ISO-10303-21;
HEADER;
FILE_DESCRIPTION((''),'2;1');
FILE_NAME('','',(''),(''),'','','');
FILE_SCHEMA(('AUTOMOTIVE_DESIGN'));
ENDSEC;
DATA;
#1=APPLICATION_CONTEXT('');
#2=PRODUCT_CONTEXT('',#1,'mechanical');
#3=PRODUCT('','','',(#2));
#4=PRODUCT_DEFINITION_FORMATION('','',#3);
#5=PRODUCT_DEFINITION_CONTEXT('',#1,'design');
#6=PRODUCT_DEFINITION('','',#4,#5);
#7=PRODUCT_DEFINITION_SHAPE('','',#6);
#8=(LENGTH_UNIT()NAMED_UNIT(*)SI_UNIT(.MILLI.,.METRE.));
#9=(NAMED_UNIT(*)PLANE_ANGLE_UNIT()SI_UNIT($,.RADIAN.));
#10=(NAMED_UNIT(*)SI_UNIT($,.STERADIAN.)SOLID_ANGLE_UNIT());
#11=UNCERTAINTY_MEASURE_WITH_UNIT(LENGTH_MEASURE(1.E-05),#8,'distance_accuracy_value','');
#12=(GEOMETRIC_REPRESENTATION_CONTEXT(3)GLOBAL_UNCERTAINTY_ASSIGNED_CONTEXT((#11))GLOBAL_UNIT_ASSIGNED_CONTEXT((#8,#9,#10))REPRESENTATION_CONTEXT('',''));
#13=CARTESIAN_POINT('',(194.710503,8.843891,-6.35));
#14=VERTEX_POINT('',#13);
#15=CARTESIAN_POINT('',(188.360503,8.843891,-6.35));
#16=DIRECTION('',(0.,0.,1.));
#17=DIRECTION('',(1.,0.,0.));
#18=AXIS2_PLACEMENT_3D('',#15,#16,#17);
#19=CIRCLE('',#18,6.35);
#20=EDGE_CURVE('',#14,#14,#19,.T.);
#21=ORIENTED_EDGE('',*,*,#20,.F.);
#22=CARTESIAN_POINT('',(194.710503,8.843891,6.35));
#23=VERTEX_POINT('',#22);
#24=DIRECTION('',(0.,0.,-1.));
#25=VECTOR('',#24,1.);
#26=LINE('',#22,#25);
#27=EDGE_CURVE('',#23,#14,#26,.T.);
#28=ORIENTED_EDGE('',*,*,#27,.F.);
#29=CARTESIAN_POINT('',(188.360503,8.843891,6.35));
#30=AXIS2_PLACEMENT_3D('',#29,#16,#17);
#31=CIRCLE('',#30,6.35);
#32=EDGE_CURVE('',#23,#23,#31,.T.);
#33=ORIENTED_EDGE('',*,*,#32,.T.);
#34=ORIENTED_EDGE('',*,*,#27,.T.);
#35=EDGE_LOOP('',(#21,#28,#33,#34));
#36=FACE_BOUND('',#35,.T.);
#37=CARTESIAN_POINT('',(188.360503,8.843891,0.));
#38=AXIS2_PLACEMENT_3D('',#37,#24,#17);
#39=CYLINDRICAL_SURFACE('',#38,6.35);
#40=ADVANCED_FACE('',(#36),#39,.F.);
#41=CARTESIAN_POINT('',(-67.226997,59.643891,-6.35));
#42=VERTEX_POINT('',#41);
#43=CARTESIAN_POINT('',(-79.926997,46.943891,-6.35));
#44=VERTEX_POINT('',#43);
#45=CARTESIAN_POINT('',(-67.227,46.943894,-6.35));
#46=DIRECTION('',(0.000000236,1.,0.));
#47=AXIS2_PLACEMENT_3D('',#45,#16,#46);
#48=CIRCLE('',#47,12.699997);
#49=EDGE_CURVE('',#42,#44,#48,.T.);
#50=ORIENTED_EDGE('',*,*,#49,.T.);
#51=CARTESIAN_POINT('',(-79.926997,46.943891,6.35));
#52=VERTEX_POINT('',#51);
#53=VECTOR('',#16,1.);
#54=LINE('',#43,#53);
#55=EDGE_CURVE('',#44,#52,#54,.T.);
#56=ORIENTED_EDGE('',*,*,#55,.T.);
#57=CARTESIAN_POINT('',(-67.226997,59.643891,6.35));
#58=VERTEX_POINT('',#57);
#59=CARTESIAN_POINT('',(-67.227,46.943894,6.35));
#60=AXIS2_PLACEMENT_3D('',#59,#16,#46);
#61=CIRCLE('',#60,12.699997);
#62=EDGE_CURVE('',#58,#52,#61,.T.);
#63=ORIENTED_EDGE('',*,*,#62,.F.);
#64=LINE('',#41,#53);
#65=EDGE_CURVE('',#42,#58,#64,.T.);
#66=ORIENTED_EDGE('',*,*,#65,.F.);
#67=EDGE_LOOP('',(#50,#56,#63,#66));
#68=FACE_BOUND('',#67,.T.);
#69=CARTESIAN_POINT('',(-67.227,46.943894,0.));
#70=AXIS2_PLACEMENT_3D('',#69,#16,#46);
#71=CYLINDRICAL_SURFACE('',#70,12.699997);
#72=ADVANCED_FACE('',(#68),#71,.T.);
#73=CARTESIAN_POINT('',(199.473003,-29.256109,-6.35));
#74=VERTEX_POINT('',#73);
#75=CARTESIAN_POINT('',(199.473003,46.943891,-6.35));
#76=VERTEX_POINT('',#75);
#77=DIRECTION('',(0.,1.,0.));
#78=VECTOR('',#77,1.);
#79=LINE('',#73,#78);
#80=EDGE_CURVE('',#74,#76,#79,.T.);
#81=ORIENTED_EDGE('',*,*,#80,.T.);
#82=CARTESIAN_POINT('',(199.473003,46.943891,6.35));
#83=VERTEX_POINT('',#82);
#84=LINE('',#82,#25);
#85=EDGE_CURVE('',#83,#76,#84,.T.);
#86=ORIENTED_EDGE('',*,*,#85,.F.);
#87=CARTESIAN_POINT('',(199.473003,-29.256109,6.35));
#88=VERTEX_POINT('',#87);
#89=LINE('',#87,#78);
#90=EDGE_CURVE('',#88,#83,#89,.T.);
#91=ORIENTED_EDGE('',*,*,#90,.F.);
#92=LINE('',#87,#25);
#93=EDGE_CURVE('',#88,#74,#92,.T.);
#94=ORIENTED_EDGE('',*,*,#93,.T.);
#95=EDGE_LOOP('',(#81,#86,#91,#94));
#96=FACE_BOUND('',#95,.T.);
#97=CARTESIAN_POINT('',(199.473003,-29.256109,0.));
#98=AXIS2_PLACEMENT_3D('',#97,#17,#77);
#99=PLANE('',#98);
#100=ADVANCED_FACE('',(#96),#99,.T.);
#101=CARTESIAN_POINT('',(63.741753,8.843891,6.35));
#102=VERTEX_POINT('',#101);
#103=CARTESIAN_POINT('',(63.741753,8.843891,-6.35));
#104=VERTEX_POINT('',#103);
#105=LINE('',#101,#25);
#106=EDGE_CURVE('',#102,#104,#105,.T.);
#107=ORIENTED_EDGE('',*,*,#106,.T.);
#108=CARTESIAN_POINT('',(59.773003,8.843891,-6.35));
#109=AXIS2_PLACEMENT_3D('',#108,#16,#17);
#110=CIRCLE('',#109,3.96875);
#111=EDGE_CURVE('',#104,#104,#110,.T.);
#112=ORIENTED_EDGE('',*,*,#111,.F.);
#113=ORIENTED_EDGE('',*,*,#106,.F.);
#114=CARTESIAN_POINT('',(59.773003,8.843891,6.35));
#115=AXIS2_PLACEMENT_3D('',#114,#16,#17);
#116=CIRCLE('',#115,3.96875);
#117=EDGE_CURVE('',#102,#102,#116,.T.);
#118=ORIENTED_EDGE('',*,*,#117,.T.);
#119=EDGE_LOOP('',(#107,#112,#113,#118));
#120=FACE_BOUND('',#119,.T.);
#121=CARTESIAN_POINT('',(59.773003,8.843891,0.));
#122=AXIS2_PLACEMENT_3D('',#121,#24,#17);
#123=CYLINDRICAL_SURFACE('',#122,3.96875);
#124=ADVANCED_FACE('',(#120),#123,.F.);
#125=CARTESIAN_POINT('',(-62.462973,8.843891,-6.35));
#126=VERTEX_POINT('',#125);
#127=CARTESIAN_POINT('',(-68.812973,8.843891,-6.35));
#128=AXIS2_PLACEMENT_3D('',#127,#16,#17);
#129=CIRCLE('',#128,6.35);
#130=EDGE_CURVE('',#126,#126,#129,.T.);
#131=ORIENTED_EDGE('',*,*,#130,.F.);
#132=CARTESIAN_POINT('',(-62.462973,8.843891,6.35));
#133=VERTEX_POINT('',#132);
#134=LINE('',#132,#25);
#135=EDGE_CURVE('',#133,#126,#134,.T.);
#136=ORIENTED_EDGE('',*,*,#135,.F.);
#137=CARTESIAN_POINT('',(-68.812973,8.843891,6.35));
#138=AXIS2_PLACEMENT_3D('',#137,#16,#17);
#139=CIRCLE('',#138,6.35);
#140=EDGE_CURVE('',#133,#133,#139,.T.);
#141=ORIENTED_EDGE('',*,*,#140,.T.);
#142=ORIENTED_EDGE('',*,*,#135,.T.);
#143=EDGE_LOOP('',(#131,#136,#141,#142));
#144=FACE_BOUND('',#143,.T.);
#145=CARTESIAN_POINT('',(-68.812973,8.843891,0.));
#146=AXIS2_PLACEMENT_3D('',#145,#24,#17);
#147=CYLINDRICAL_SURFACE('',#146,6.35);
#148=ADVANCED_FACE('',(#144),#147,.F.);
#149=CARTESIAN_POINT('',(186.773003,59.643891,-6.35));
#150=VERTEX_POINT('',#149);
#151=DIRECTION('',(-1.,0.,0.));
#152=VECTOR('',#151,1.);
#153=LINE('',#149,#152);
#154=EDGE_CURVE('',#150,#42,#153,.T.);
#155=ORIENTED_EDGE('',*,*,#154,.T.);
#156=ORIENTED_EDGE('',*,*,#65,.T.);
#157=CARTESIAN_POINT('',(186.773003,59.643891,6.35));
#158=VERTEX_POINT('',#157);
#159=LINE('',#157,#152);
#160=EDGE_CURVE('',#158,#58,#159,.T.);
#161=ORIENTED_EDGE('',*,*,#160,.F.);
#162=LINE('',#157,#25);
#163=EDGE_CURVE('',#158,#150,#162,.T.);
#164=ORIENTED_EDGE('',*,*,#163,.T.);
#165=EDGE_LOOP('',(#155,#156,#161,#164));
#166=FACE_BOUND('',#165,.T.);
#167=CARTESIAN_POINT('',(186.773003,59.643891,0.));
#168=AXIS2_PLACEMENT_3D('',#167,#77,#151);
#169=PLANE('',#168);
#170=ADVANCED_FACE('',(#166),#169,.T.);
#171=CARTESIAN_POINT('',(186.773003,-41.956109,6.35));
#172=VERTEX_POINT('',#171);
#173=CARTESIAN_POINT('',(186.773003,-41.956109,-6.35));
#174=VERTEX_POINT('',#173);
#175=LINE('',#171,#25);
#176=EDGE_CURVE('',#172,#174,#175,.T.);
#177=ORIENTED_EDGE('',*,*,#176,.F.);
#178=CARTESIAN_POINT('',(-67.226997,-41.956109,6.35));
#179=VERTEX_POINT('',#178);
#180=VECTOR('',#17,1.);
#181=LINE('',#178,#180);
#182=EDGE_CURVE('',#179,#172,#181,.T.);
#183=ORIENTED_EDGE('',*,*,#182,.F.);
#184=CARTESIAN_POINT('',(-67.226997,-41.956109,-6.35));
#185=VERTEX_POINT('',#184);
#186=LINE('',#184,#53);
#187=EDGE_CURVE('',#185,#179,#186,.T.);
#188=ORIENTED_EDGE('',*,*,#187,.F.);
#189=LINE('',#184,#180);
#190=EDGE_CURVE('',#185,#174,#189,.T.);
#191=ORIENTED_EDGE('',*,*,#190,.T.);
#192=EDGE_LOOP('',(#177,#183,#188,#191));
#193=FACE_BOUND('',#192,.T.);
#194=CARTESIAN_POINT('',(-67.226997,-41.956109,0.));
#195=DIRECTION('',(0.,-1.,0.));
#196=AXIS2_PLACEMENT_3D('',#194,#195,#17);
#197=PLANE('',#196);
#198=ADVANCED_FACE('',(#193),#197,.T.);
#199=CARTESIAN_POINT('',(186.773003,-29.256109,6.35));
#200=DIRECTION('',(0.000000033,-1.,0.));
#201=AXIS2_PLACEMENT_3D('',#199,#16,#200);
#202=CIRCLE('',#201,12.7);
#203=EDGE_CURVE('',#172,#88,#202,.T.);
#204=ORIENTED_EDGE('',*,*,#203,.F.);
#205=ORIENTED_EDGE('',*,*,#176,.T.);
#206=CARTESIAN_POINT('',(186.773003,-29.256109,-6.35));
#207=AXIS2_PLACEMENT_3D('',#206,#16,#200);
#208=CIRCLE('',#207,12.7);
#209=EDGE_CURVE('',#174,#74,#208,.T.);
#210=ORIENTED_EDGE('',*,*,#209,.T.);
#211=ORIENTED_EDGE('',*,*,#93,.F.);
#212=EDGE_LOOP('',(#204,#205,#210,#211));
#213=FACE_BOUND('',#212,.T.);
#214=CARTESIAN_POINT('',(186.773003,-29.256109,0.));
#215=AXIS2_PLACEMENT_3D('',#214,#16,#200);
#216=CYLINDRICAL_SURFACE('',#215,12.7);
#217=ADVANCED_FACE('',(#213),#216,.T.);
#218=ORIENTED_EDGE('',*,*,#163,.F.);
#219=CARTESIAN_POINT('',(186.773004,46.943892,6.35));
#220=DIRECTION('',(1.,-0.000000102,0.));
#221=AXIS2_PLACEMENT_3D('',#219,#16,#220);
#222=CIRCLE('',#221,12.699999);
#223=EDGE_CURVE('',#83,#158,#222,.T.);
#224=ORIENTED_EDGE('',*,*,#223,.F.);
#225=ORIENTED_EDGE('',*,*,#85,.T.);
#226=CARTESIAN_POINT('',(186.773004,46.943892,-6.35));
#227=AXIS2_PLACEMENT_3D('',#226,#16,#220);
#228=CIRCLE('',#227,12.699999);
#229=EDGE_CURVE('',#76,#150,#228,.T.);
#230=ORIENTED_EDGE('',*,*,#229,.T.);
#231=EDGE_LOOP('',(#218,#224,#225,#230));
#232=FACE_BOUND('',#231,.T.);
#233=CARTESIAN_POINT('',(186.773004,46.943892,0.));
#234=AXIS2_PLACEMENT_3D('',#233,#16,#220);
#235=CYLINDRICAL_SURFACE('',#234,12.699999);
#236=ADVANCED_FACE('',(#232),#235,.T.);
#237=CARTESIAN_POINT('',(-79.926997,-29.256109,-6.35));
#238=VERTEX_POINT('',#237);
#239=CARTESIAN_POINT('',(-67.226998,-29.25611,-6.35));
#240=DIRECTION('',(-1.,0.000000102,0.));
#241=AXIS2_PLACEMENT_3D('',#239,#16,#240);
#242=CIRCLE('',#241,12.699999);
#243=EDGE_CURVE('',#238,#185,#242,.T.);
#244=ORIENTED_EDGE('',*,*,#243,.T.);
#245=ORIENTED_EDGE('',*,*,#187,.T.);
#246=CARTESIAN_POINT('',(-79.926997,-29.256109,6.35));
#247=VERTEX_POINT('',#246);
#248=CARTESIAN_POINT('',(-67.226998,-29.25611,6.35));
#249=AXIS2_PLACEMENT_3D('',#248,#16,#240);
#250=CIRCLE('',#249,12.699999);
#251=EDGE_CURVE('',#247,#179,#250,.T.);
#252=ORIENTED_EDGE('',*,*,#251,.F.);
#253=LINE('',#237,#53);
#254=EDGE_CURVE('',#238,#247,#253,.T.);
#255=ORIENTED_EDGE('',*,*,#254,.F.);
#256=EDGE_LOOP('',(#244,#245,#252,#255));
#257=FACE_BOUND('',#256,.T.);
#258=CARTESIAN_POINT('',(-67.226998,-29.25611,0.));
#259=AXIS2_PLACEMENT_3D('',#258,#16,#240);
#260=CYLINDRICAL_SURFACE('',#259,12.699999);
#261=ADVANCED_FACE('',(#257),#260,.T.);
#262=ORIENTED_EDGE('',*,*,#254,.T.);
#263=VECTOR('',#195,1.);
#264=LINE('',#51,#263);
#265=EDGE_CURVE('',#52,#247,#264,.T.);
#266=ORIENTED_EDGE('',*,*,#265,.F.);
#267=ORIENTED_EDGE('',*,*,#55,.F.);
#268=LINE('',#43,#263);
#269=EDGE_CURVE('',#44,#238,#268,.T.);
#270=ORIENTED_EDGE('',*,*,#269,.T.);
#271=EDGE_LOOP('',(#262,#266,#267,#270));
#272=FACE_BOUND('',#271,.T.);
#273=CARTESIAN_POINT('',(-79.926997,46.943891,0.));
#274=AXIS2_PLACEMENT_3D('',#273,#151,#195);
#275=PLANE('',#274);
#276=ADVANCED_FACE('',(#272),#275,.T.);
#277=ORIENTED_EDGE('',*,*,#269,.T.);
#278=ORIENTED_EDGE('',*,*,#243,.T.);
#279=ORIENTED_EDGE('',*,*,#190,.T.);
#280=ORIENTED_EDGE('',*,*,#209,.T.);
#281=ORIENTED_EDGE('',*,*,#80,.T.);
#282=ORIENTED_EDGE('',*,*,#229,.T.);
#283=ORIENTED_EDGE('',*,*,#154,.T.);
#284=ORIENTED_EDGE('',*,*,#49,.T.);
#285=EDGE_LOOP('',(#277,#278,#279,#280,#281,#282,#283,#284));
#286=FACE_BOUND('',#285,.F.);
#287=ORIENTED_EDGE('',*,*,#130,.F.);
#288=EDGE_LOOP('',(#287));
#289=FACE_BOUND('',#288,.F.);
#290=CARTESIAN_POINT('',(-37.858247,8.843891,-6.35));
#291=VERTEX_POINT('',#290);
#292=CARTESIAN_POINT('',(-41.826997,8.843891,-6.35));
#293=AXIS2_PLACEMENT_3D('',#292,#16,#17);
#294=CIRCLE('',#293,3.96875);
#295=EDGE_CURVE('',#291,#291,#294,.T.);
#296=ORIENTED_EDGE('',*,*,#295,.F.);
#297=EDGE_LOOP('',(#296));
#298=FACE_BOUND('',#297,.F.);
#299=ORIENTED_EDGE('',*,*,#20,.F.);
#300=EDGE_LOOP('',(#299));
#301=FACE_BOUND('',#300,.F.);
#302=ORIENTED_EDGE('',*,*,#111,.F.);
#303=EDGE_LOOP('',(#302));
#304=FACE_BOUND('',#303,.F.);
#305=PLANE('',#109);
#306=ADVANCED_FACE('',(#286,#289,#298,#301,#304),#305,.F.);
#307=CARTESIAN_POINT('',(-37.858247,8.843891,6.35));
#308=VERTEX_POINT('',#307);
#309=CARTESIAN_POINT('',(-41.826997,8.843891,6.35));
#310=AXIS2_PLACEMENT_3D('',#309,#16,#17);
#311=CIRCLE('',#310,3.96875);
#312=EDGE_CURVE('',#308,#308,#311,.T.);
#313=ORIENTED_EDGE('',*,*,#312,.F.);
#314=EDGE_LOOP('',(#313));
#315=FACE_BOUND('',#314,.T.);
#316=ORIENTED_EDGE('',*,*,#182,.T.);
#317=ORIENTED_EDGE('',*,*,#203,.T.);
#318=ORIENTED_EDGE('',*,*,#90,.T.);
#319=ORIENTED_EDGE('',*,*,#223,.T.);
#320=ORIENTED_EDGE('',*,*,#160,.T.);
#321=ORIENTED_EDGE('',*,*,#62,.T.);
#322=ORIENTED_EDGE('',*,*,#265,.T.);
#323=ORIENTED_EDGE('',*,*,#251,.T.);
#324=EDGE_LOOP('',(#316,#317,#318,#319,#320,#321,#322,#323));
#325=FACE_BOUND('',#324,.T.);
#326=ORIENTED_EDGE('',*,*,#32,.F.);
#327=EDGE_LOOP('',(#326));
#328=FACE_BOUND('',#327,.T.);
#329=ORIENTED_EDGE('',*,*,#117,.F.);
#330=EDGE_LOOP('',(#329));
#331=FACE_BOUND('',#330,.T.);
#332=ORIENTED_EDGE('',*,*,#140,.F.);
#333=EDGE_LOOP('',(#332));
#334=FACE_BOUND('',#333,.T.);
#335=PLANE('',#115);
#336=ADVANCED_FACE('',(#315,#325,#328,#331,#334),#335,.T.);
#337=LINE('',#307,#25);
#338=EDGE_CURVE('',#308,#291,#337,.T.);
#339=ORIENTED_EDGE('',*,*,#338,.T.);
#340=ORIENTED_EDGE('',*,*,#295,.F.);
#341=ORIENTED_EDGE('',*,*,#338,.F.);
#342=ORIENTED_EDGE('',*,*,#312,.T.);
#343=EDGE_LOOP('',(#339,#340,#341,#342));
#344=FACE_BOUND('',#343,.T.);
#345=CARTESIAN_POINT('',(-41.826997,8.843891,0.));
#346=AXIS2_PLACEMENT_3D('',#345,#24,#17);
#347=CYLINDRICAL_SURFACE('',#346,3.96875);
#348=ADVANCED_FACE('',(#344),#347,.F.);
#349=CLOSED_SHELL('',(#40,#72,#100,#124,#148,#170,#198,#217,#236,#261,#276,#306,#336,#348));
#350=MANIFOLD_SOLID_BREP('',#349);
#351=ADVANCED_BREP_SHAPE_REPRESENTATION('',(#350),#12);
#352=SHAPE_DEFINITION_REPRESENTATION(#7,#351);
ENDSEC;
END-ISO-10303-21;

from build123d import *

# Parameters (mm, degrees)
F0_R     = 6.35
F0_R_2   = 3.96875
F1_DEPTH = 6.35


with BuildPart() as f1:
    # F0 (on Top) → F1 (new body, symmetric)
    with BuildSketch(Plane.XY):
        with BuildLine():
            Line((186.773003, 59.643891), (-67.226997, 59.643891))
            ThreePointArc((-67.226997, 59.643891), (-76.207254, 55.924148), (-79.926997, 46.943891))
            Line((-79.926997, 46.943891), (-79.926997, -29.256109))
            ThreePointArc((-79.926997, -29.256109), (-76.207254, -38.236365), (-67.226997, -41.956109))
            Line((-67.226997, -41.956109), (186.773003, -41.956109))
            ThreePointArc((186.773003, -41.956109), (195.753259, -38.236365), (199.473003, -29.256109))
            Line((199.473003, -29.256109), (199.473003, 46.943891))
            ThreePointArc((199.473003, 46.943891), (195.753259, 55.924148), (186.773003, 59.643891))
        make_face()
        with Locations((-68.812973, 8.843891)):
            Circle(F0_R, mode=Mode.SUBTRACT)
        with Locations((-41.826997, 8.843891)):
            Circle(F0_R_2, mode=Mode.SUBTRACT)
        with Locations((59.773003, 8.843891)):
            Circle(F0_R_2, mode=Mode.SUBTRACT)
        with Locations((188.360503, 8.843891)):
            Circle(F0_R, mode=Mode.SUBTRACT)
    extrude(amount=F1_DEPTH, both=True)


solid = f1.part
